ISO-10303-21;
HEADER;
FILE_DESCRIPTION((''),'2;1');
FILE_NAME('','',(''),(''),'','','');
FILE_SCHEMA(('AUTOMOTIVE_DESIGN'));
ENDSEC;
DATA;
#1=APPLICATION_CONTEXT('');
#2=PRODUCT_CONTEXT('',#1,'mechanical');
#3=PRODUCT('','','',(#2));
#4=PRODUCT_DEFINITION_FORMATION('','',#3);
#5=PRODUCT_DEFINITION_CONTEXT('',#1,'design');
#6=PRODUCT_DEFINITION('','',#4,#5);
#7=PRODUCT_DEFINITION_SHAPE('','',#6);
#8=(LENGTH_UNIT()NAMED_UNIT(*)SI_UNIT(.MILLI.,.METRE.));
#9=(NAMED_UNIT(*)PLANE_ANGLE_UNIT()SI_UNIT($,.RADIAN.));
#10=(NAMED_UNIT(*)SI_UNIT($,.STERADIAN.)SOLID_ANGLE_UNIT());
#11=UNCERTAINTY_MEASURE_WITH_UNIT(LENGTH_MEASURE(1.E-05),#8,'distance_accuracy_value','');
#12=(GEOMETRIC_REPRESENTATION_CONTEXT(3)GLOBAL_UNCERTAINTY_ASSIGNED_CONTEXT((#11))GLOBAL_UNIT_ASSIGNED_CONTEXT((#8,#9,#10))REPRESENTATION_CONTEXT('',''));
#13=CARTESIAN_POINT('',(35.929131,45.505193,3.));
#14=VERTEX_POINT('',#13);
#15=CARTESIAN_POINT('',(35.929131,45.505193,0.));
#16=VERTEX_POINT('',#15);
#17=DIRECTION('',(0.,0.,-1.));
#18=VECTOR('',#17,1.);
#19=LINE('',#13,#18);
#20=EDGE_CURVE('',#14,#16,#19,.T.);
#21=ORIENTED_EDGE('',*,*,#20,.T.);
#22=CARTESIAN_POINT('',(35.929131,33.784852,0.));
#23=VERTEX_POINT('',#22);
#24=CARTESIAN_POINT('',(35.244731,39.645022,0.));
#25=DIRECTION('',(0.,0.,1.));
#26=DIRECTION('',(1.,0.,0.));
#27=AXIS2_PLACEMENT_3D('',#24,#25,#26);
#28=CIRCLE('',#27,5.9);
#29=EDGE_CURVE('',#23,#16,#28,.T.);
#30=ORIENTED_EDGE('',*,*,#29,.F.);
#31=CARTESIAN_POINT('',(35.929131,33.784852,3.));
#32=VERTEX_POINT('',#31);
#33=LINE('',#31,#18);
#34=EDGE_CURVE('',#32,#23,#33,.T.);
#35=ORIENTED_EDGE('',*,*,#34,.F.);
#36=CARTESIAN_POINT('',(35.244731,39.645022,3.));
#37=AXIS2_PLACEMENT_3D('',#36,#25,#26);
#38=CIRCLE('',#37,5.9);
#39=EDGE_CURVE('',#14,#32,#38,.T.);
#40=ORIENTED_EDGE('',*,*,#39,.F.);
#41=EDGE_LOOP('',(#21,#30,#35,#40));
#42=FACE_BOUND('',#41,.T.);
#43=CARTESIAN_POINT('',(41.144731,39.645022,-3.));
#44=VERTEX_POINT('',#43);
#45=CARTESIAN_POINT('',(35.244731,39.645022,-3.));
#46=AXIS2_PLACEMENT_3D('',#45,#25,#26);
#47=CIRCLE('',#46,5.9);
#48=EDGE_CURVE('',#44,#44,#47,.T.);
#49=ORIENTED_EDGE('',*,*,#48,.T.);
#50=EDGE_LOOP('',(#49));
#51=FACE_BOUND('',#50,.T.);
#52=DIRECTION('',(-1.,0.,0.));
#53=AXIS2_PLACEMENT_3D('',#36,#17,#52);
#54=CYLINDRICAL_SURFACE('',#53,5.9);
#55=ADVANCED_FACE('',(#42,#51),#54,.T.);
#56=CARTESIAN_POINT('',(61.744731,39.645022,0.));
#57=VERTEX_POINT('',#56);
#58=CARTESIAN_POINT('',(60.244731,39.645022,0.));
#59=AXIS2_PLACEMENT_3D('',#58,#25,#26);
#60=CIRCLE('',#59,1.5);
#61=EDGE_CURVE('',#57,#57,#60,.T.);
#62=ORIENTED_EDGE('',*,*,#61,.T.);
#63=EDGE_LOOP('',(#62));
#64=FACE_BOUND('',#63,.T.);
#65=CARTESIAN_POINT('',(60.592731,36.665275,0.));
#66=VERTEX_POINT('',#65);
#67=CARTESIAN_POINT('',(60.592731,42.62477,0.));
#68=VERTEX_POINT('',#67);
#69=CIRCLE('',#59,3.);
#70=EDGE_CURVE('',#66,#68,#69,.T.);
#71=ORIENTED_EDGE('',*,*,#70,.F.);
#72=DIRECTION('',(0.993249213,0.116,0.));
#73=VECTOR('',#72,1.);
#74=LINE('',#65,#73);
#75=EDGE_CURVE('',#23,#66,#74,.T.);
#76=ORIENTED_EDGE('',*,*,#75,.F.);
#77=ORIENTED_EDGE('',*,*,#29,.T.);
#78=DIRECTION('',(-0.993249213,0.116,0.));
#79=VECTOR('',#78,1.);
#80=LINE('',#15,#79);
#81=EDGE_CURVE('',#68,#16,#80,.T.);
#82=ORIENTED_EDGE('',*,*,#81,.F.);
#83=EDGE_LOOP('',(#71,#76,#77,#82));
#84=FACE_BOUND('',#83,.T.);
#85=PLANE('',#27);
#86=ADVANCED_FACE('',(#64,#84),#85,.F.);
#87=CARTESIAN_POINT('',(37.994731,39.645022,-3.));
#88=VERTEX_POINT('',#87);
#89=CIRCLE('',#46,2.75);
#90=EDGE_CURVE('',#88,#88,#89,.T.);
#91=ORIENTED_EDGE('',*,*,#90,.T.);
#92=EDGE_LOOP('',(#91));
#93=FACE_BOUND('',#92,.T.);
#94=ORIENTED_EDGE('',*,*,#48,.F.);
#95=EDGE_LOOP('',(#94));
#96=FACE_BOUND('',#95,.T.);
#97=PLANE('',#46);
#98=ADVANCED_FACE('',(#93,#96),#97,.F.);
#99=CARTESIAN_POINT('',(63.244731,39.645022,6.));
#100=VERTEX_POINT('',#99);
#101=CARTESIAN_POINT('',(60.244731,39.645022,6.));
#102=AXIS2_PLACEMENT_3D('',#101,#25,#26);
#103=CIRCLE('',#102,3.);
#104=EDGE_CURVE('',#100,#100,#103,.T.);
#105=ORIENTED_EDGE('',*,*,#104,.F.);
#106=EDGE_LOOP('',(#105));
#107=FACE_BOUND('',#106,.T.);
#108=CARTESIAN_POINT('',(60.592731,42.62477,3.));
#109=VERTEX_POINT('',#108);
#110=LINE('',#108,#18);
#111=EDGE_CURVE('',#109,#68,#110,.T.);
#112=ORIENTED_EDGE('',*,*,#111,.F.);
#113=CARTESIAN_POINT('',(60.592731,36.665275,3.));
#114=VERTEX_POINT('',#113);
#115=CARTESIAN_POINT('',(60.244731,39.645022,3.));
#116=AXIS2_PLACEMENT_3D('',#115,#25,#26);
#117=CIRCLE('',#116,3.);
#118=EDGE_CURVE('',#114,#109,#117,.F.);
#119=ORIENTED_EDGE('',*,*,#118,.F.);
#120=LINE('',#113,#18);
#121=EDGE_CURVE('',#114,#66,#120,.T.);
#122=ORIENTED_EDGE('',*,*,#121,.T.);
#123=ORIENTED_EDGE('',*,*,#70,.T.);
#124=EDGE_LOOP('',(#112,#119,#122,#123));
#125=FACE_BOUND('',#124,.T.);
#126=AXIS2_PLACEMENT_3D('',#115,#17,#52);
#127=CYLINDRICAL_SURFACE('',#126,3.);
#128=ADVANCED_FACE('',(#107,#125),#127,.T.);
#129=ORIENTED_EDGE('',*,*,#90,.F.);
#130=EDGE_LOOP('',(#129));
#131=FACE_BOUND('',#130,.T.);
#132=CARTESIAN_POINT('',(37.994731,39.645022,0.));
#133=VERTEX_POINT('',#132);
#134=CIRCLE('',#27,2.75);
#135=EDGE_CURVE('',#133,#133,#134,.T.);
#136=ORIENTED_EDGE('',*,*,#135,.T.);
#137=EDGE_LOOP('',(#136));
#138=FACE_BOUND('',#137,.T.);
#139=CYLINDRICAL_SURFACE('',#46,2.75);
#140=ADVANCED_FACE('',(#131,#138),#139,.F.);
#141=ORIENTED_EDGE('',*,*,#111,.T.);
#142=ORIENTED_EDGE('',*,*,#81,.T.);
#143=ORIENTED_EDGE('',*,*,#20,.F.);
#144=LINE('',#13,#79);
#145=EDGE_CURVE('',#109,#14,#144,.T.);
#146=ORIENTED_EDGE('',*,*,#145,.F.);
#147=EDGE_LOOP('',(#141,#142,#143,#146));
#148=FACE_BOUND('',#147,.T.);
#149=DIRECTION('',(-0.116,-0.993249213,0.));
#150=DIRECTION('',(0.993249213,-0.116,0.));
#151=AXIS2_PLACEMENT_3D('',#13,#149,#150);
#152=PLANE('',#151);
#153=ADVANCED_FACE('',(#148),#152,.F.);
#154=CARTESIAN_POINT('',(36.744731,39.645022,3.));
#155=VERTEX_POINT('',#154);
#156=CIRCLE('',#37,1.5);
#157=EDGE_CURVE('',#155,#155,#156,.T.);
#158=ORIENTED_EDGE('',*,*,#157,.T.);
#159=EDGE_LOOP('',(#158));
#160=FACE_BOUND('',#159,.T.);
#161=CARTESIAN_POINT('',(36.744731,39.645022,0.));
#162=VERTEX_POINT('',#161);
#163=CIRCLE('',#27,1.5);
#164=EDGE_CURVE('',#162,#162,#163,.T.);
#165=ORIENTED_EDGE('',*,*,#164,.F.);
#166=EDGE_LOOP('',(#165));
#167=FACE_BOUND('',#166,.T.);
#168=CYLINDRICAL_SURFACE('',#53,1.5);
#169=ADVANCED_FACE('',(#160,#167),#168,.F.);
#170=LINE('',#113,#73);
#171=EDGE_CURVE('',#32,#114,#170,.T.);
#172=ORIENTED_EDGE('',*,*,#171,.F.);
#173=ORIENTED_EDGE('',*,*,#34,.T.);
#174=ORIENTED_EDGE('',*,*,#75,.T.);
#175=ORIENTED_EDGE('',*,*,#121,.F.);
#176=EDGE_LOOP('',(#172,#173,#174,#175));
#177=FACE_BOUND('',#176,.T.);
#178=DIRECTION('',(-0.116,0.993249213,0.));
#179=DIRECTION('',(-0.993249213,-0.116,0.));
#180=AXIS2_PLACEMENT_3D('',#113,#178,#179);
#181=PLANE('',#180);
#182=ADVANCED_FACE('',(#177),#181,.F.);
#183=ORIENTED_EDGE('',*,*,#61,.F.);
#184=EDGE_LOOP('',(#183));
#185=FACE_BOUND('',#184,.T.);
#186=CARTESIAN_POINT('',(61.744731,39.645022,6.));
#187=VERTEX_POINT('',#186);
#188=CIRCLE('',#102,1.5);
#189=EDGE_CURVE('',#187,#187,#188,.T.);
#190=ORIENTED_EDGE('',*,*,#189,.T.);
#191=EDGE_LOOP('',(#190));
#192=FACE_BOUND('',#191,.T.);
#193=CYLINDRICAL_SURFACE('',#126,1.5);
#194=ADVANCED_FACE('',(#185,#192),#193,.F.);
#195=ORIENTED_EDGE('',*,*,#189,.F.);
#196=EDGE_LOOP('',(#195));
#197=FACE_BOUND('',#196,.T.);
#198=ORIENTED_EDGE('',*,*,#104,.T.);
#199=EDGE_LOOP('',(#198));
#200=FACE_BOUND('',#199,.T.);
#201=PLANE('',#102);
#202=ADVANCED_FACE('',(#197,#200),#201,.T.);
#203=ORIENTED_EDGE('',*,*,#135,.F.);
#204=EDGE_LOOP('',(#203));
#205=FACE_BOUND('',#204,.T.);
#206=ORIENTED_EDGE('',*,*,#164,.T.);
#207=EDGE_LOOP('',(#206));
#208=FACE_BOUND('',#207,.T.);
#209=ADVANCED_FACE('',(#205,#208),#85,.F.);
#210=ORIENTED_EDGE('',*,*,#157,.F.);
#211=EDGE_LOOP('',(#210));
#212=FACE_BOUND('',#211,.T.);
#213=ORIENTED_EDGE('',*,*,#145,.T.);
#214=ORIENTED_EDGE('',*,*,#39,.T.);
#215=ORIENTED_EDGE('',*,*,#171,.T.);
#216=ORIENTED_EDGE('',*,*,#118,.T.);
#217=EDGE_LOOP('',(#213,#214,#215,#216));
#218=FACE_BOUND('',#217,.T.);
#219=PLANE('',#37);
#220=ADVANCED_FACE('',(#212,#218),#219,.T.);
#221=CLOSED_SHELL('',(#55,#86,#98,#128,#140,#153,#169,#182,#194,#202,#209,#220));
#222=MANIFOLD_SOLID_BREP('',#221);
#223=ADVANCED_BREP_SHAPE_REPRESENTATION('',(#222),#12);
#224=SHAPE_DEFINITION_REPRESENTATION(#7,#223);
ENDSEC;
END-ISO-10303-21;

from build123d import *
from build123d.topology import SkipClean

# Parameters (mm, degrees)
CORTE_R                 = 1.5
SALIENTE_EXTRUIR1_DEPTH = 3
SALIENTE_EXTRUIR2_START = -3
EXT1_R                  = 5.9
EXT1_R_2                = 2.75
SALIENTE_EXTRUIR2_DEPTH = 3
EXT2_R                  = 3
EXT2_R_2                = 1.5
SALIENTE_EXTRUIR3_DEPTH = 6


with BuildPart() as part:
    # Corte → Saliente-Extruir1 (new body)
    with BuildSketch(Plane.XY):
        with BuildLine():
            Line((35.929130783, 45.505192832), (60.592730783, 42.624770113))
            ThreePointArc((60.592730783, 42.624770113), (63.244730783, 39.645022473), (60.592730783, 36.665274833))
            Line((60.592730783, 36.665274833), (35.929130783, 33.784852114))
            ThreePointArc((35.929130783, 33.784852114), (29.344730783, 39.645022473), (35.929130783, 45.505192832))
        make_face()
        with Locations((35.244730783, 39.645022473)):
            Circle(CORTE_R, mode=Mode.SUBTRACT)
        with Locations((60.244730783, 39.645022473)):
            Circle(CORTE_R, mode=Mode.SUBTRACT)
    extrude(amount=SALIENTE_EXTRUIR1_DEPTH)

    # Ext1 → Saliente-Extruir2 (add)
    with SkipClean():  # the faces are left unmerged after this step: merging them gives an invalid solid
        with BuildSketch(Plane.XY.offset(SALIENTE_EXTRUIR2_START)):
            with Locations(Location((35.244730783, 39.645022473, 0), (0, 0, 83.338693133))):
                Circle(EXT1_R)
            with Locations((35.244730783, 39.645022473)):
                Circle(EXT1_R_2, mode=Mode.SUBTRACT)
        extrude(amount=SALIENTE_EXTRUIR2_DEPTH)

    # Ext2 → Saliente-Extruir3 (add)
    with SkipClean():  # the faces are left unmerged after this step: merging them gives an invalid solid
        with BuildSketch(Plane.XY):
            with Locations(Location((60.244730783, 39.645022473, 0), (0, 0, 83.338693133))):
                Circle(EXT2_R)
            with Locations((60.244730783, 39.645022473)):
                Circle(EXT2_R_2, mode=Mode.SUBTRACT)
        extrude(amount=SALIENTE_EXTRUIR3_DEPTH)


solid = part.part
